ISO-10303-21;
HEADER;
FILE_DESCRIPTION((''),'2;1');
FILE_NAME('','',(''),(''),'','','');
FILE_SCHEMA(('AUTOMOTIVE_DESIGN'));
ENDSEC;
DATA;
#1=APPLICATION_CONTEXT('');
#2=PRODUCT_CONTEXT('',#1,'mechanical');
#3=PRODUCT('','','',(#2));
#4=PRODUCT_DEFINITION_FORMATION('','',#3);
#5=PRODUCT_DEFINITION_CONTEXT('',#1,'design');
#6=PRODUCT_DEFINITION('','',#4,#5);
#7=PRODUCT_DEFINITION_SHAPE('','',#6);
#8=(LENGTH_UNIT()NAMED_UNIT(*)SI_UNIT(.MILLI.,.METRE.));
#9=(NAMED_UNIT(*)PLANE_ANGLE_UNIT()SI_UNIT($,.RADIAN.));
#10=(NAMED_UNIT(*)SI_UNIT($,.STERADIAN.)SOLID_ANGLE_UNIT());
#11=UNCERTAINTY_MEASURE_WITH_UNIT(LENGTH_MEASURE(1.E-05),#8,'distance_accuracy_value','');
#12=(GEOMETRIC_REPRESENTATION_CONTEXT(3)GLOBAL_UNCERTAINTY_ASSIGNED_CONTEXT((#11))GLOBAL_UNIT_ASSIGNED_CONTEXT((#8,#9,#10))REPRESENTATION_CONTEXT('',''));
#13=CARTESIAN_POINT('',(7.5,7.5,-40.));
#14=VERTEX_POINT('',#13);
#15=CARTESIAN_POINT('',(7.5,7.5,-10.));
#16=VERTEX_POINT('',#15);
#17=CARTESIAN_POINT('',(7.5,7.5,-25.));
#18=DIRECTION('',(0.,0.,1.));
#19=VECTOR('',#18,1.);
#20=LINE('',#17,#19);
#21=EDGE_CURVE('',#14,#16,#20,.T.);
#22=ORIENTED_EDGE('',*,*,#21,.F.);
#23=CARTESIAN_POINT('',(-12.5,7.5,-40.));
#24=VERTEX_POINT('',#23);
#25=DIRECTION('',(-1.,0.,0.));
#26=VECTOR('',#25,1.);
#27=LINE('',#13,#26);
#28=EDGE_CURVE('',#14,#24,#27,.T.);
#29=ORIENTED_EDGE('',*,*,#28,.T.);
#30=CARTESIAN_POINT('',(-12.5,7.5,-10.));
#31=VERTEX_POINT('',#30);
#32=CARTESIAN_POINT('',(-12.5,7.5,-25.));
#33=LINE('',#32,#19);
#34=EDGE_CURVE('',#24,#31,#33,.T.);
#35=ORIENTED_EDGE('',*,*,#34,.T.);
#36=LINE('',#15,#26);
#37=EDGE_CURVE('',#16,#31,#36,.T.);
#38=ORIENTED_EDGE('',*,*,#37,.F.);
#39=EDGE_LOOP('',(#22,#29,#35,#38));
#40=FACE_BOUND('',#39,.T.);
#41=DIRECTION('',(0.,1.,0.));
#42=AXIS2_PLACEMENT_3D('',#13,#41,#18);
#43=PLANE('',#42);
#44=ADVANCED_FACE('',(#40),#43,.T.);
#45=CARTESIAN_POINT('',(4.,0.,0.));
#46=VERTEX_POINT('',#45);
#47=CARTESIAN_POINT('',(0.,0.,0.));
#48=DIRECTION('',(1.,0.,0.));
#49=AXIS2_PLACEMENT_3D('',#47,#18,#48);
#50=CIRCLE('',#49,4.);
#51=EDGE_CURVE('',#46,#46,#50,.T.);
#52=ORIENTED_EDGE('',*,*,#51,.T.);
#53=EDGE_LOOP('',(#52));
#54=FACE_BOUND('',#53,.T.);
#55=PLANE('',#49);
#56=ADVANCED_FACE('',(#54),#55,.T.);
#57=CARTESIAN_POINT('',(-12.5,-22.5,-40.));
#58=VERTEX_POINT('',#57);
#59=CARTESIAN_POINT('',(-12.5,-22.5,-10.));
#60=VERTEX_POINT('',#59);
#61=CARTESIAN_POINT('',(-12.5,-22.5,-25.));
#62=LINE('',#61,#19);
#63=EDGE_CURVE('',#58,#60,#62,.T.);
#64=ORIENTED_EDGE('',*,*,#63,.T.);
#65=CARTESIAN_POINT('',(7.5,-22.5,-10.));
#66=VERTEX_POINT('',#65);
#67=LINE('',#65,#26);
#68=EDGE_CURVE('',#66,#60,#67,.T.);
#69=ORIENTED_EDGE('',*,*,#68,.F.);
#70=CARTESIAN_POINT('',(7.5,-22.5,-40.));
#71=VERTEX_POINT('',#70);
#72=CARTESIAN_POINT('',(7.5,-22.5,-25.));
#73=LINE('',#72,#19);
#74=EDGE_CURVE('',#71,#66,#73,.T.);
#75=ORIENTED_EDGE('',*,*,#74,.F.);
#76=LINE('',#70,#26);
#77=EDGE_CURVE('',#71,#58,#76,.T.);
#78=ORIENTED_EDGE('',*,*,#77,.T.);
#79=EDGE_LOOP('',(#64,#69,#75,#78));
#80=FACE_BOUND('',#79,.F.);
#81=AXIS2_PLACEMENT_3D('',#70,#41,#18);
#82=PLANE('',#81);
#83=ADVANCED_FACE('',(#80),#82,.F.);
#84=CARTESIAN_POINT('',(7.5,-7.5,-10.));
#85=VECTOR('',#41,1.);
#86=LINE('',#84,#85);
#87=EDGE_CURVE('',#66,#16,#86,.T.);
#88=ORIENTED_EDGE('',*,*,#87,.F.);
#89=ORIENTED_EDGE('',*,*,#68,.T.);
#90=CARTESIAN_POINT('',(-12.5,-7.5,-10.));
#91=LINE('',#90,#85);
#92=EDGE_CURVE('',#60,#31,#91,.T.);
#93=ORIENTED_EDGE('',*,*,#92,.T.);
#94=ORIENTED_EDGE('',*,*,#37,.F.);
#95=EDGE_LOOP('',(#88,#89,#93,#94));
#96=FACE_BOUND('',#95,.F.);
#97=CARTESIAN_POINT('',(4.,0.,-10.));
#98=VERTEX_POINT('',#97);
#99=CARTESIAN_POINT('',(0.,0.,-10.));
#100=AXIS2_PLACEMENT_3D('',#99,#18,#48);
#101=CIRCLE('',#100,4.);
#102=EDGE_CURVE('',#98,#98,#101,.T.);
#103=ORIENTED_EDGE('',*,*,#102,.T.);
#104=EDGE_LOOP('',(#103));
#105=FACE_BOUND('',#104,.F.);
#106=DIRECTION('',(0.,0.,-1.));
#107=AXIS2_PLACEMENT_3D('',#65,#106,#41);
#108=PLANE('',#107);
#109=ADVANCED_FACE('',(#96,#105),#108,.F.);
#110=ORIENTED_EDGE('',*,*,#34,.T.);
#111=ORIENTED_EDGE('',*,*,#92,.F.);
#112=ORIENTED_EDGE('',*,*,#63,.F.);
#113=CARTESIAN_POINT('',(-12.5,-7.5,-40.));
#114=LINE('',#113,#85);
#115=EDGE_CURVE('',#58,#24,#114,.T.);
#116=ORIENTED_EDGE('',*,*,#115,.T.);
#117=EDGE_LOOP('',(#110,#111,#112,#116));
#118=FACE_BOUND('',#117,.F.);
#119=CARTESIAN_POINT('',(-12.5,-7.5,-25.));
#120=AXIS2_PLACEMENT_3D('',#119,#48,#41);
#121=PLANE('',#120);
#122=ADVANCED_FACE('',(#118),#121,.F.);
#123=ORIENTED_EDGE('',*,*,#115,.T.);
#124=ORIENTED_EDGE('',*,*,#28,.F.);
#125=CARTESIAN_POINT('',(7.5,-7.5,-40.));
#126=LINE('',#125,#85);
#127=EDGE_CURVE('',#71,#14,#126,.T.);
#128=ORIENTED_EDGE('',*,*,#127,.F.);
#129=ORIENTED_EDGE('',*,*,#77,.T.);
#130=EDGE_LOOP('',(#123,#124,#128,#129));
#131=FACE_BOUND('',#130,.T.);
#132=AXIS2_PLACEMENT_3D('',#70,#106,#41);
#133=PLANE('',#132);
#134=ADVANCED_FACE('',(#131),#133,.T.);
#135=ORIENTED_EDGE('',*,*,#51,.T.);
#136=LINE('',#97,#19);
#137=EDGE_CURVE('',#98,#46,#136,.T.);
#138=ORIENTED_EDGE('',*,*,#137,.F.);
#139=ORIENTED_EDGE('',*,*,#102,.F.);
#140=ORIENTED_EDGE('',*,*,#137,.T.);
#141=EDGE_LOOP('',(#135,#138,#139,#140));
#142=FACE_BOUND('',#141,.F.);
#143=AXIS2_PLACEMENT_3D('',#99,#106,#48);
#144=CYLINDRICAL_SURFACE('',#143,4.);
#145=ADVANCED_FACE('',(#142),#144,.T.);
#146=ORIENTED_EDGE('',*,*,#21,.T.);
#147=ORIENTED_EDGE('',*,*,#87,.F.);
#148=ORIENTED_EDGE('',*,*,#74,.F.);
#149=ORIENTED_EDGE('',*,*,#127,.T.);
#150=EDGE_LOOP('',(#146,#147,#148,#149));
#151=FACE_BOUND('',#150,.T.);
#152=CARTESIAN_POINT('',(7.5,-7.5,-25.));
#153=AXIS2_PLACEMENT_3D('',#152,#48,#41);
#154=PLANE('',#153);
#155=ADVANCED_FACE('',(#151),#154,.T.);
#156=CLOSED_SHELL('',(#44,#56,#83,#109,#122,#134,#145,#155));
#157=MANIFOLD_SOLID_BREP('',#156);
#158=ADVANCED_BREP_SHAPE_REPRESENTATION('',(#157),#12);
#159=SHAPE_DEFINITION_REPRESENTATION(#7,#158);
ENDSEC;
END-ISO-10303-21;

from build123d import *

# Parameters (mm, degrees)
SKETCH002_R  = 4
PAD001_DEPTH = 10
SKETCH_W     = 30
SKETCH_H     = 30
PAD_DEPTH    = 20


with BuildPart() as pad001:
    # Sketch002 → Pad001 (new body)
    with BuildSketch(Plane.XY.offset(-10)):
        Circle(SKETCH002_R)
    extrude(amount=PAD001_DEPTH)


with BuildPart() as fusion004:
    # Sketch → Pad (new body)
    with BuildSketch(Plane.YZ.offset(7.5)):
        with Locations((-7.5, -25)):
            Rectangle(SKETCH_W, SKETCH_H)
    extrude(amount=-PAD_DEPTH)

    # Fusion004: union Pad001
    add(pad001.part)


solid = fusion004.part
